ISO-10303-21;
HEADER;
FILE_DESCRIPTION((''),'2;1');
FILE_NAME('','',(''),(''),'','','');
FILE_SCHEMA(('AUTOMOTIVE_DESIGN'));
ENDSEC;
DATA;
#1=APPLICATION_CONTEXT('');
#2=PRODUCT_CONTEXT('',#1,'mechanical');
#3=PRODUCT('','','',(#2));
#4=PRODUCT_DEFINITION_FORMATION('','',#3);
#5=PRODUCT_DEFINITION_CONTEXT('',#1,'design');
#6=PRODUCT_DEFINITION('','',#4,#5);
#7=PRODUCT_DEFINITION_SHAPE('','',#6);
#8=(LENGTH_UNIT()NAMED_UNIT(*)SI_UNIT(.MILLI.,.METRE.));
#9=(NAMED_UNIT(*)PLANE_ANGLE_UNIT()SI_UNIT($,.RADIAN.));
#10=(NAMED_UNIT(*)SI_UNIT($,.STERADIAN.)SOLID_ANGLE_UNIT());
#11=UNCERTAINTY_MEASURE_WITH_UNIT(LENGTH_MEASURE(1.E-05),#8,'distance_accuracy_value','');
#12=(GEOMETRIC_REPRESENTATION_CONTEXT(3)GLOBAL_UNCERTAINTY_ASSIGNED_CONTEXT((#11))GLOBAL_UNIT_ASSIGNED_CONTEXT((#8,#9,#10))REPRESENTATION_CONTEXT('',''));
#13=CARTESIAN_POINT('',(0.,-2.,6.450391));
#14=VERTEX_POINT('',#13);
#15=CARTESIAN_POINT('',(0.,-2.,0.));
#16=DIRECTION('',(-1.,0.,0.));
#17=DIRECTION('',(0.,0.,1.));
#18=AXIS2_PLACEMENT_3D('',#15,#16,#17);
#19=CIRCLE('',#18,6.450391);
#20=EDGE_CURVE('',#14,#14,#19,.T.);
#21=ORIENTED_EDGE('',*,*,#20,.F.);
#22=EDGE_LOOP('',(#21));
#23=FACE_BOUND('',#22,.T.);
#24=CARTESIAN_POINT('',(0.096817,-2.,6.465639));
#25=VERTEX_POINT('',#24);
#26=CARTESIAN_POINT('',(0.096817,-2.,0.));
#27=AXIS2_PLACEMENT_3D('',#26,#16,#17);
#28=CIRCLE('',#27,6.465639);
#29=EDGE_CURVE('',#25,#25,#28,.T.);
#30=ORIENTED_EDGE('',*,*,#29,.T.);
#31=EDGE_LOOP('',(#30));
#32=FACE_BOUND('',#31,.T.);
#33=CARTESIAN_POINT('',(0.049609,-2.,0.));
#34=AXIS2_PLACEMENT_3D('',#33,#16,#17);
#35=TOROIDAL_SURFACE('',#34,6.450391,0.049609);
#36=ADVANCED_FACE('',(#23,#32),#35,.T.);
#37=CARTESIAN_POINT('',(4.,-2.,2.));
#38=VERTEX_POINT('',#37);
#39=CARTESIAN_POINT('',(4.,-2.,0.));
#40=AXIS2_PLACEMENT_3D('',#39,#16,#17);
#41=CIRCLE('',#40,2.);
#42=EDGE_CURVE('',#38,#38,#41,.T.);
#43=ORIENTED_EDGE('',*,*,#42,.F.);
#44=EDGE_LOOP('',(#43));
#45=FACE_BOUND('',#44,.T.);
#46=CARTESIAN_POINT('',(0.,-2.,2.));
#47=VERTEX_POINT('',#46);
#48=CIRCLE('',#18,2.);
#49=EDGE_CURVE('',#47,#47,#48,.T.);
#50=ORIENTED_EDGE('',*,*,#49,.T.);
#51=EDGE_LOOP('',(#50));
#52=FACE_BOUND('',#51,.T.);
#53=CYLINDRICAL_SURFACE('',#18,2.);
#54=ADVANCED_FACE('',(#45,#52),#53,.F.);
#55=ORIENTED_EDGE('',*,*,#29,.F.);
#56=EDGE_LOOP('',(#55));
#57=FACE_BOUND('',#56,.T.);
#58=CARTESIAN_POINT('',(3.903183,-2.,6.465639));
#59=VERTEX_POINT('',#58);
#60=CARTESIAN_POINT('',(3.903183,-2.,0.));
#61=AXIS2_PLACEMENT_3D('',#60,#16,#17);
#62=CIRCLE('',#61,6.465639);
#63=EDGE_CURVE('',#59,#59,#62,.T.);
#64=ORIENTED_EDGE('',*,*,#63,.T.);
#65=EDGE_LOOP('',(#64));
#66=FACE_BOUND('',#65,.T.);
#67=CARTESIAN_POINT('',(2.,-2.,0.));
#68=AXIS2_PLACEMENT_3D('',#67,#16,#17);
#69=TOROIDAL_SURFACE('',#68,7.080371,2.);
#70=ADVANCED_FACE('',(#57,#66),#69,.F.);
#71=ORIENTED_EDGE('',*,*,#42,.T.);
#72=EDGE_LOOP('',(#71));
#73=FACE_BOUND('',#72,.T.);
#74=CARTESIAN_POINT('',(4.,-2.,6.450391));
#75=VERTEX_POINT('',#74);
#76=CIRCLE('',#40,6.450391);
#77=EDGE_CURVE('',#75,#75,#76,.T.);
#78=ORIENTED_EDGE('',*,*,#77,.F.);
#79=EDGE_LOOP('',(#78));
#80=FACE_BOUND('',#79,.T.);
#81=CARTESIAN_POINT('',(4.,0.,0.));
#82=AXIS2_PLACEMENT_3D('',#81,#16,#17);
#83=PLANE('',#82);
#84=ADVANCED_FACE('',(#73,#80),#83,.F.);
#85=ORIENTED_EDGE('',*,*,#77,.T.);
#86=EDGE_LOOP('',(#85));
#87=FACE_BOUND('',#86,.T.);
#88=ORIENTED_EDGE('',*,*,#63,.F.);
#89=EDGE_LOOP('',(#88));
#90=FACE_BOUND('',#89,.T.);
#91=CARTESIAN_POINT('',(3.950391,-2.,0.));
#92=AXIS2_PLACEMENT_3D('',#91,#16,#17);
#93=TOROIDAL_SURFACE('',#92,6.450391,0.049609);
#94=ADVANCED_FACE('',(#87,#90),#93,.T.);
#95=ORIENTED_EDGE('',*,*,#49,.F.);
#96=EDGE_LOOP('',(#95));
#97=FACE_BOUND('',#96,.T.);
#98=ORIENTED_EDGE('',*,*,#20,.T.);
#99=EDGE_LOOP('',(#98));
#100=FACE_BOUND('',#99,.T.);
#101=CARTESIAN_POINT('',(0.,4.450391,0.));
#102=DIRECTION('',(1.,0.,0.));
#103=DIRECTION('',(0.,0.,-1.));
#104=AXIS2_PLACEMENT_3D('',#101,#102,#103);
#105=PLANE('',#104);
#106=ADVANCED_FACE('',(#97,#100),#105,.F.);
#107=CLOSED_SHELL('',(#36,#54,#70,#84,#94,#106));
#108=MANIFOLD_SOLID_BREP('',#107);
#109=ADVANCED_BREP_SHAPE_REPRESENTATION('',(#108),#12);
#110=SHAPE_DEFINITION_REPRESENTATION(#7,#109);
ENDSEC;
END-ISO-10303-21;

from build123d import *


with BuildPart() as part:
    # Sketch1 → Revolve1 (revolve)
    with BuildSketch(Plane.XY, mode=Mode.PRIVATE) as revolve1_sk:
        with BuildLine():
            Line((0, 0), (4, 0))
            Line((4, 0), (4, 4.450390625))
            ThreePointArc((4, 4.450390625), (3.958108719, 4.499395942), (3.903182771, 4.465638858))
            ThreePointArc((3.903182771, 4.465638858), (2, 3.080370783), (0.096817229, 4.465638858))
            ThreePointArc((0.096817229, 4.465638858), (0.041891281, 4.499395942), (0, 4.450390625))
            Line((0, 4.450390625), (0, 0))
        make_face()
    revolve(revolve1_sk.sketch.rotate(Axis((0, -2, 0), (1, 0, 0)), 90), axis=Axis((0, -2, 0), (1, 0, 0)))


solid = part.part
